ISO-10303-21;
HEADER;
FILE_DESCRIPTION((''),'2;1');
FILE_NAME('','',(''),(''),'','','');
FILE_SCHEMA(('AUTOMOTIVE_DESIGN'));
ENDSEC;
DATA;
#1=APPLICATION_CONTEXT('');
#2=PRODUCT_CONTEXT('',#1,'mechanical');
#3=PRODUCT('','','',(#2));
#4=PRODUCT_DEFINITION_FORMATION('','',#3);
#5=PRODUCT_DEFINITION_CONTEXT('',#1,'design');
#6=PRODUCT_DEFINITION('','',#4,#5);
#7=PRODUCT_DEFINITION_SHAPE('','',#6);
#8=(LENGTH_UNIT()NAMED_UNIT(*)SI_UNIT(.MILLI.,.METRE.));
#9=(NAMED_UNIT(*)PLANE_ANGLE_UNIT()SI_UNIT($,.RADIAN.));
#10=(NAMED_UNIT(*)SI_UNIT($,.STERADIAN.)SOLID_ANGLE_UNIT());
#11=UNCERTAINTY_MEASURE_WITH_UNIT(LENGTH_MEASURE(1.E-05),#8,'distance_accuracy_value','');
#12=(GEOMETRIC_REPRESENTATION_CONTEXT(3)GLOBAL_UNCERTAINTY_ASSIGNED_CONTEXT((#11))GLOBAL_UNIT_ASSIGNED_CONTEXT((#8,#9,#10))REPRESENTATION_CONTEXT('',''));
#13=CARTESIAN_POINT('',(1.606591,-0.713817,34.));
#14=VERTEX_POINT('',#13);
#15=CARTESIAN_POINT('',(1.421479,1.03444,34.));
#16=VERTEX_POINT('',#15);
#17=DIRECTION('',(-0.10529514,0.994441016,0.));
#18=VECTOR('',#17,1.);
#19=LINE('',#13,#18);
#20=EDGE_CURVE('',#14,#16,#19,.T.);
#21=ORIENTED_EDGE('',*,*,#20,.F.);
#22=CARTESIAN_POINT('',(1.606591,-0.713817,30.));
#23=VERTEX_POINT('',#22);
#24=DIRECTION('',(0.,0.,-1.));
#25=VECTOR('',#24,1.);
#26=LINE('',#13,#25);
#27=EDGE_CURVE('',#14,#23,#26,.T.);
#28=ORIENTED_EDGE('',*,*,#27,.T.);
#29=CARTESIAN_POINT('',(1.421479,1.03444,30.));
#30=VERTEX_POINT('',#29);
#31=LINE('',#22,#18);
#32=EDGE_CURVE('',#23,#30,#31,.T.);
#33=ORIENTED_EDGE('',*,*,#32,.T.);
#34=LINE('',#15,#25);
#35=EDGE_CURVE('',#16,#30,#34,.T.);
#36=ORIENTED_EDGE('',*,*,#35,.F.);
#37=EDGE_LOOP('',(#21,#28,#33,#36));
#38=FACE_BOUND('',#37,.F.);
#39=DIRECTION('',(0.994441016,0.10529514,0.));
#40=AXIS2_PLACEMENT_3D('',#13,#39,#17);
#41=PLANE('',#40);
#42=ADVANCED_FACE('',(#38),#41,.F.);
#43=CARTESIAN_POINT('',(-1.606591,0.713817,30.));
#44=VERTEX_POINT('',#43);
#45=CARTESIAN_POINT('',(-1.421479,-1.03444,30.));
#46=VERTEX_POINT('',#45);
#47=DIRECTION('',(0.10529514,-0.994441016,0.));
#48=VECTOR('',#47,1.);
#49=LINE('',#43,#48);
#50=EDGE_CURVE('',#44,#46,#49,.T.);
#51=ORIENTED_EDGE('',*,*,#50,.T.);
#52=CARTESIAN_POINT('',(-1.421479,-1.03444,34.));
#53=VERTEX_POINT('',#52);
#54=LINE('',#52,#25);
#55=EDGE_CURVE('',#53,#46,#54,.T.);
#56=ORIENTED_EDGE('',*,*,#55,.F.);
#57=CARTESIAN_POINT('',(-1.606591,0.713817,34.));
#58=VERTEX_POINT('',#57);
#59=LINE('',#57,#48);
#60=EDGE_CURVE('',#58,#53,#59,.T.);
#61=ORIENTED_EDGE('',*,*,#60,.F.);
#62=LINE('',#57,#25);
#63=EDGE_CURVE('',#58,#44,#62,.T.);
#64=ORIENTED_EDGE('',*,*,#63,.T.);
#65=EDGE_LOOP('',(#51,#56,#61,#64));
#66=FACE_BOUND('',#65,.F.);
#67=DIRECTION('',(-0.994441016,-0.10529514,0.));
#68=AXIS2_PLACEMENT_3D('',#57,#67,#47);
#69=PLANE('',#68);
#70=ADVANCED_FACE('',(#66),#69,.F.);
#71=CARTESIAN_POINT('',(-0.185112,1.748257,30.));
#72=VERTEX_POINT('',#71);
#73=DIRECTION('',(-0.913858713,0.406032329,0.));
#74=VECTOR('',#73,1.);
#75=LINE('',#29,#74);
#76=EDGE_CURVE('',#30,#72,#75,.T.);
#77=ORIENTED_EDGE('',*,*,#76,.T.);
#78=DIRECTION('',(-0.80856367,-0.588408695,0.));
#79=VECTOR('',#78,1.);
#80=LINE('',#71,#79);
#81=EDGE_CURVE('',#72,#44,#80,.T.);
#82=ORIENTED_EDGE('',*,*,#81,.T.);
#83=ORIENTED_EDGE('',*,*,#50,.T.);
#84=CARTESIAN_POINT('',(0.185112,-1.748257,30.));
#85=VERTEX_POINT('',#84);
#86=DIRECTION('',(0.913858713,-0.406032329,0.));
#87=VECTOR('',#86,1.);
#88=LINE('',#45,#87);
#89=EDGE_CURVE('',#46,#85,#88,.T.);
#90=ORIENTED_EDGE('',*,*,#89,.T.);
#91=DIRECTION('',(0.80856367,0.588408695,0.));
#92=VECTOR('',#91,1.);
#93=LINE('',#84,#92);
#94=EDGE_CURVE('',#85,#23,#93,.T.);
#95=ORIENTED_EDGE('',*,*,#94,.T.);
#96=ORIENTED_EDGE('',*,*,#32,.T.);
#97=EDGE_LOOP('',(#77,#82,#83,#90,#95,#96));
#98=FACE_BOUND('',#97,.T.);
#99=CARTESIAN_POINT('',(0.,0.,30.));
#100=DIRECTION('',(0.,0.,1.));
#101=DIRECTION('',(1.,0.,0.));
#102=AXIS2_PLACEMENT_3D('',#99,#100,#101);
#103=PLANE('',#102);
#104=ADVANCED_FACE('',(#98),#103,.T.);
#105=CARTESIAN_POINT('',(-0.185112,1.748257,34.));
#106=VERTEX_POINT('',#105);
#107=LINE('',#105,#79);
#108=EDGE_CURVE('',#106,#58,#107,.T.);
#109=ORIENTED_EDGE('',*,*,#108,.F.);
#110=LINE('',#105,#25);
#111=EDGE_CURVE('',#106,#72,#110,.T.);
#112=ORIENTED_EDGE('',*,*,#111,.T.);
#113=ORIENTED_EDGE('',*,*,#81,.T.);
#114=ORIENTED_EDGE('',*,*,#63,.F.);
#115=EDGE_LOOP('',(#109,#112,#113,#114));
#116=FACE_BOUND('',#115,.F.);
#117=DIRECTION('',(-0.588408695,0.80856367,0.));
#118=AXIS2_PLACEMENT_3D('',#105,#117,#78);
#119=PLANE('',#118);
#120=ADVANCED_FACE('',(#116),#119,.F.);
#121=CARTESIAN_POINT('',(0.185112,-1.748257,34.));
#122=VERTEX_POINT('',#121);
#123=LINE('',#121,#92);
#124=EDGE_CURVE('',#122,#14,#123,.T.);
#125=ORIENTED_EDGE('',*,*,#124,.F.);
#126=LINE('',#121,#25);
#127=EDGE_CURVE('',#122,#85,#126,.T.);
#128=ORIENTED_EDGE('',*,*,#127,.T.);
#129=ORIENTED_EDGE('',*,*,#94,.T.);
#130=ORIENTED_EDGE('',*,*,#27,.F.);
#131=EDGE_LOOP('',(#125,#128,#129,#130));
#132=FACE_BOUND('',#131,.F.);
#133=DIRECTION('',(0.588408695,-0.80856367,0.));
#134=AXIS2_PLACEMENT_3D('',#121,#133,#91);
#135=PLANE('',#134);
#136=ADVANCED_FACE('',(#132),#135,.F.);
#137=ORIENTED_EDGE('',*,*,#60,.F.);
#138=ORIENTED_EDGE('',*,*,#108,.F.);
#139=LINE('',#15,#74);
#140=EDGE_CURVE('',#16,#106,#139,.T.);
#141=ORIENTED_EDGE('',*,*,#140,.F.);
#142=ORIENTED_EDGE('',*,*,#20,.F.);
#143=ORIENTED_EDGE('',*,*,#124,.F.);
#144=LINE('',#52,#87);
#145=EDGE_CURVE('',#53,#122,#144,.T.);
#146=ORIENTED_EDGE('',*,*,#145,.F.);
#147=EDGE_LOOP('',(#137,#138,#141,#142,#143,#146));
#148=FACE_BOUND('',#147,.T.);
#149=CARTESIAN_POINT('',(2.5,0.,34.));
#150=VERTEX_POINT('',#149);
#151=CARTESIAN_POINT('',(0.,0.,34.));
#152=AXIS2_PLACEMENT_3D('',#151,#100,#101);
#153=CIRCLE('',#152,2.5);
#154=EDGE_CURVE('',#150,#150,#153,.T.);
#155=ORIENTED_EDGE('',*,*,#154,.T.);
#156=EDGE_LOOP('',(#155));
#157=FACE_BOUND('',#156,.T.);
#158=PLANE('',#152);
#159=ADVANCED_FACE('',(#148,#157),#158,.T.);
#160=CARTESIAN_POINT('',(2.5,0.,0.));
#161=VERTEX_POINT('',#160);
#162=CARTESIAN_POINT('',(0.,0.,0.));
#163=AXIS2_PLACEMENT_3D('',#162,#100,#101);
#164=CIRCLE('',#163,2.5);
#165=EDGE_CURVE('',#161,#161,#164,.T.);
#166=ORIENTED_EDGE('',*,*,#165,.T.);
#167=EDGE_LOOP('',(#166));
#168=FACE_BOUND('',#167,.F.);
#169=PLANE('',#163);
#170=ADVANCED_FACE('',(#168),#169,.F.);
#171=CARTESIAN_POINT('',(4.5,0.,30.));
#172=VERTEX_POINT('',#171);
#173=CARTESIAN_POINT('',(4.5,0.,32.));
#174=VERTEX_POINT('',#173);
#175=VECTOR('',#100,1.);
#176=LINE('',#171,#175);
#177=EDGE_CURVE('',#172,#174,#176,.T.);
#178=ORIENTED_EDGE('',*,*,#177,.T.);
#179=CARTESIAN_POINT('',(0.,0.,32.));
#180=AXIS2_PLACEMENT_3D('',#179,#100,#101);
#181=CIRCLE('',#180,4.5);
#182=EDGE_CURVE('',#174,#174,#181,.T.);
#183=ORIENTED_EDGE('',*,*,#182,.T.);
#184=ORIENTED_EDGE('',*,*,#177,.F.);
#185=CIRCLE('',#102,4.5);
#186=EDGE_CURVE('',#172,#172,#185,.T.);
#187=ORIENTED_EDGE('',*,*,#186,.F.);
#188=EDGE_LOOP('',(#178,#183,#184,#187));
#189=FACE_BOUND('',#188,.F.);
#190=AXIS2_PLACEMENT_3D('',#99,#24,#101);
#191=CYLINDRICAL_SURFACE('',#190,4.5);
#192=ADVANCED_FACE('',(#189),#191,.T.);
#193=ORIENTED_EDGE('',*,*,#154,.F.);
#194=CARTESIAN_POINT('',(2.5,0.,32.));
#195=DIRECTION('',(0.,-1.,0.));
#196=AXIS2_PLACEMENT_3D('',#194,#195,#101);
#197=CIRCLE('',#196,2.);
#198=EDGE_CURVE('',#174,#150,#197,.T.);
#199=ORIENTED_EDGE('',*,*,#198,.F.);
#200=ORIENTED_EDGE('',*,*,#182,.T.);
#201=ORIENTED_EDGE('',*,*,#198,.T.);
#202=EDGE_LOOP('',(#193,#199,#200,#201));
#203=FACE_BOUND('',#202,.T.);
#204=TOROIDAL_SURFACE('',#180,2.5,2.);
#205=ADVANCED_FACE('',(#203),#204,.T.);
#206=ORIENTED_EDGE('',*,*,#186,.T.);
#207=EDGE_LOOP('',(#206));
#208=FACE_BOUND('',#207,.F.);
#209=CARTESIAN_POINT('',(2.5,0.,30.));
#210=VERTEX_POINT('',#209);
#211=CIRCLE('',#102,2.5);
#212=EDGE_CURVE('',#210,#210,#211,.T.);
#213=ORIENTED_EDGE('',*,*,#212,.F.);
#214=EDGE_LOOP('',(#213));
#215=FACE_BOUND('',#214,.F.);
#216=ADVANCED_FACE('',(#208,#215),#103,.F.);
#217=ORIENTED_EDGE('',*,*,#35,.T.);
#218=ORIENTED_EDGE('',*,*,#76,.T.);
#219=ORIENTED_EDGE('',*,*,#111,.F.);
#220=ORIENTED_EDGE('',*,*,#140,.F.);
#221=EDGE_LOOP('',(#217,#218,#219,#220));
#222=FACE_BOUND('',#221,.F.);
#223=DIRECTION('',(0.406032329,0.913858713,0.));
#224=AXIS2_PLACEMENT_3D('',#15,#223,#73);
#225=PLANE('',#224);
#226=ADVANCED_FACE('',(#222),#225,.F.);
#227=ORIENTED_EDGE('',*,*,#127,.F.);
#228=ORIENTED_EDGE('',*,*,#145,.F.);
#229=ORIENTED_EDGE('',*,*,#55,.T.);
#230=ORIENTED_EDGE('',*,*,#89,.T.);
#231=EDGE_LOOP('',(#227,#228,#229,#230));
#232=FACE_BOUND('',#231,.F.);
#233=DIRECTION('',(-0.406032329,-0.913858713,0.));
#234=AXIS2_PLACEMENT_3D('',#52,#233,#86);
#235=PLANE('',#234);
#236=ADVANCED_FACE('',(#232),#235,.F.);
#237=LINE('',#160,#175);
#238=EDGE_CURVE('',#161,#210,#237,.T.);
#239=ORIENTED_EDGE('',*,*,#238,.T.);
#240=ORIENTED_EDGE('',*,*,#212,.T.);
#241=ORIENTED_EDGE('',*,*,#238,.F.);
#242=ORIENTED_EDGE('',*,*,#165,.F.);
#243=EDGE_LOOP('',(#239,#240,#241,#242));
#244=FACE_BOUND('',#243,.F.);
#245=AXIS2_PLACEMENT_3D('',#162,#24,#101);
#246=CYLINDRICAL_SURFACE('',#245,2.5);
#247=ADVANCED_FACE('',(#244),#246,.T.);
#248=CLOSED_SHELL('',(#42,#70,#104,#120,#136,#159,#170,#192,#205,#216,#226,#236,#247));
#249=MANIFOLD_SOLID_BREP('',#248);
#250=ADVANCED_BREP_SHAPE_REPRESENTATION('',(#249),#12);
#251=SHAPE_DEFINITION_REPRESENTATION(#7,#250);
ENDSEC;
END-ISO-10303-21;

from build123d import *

# Parameters (mm, degrees)
F0_R     = 2.5
F1_DEPTH = 30
F2_R     = 4.5
F3_DEPTH = 4
F4_R     = 2
F6_DEPTH = 4


with BuildPart() as f1:
    # F0 (on Top) → F1 (new body)
    with BuildSketch(Plane.XY):
        Circle(F0_R)
    extrude(amount=F1_DEPTH)

    # F2 (on face) → F3 (join)
    with BuildSketch(Plane.XY.offset(30)):
        Circle(F2_R)
    extrude(amount=F3_DEPTH)

    # F4
    f4_edges = [f1.edges().sort_by_distance(p)[0] for p in [
        (-4.5, 0, 34),
    ]]
    fillet(f4_edges, radius=F4_R)

    # F5 (on face) → F6 (cut)
    with BuildSketch(Plane.XY.offset(34)):
        Polygon((-0.185112, 1.748257), (-1.606591, 0.713817), (-1.421479, -1.03444), (0.185112, -1.748257), (1.606591, -0.713817), (1.421479, 1.03444), align=None)
    extrude(amount=-F6_DEPTH, mode=Mode.SUBTRACT)


solid = f1.part
